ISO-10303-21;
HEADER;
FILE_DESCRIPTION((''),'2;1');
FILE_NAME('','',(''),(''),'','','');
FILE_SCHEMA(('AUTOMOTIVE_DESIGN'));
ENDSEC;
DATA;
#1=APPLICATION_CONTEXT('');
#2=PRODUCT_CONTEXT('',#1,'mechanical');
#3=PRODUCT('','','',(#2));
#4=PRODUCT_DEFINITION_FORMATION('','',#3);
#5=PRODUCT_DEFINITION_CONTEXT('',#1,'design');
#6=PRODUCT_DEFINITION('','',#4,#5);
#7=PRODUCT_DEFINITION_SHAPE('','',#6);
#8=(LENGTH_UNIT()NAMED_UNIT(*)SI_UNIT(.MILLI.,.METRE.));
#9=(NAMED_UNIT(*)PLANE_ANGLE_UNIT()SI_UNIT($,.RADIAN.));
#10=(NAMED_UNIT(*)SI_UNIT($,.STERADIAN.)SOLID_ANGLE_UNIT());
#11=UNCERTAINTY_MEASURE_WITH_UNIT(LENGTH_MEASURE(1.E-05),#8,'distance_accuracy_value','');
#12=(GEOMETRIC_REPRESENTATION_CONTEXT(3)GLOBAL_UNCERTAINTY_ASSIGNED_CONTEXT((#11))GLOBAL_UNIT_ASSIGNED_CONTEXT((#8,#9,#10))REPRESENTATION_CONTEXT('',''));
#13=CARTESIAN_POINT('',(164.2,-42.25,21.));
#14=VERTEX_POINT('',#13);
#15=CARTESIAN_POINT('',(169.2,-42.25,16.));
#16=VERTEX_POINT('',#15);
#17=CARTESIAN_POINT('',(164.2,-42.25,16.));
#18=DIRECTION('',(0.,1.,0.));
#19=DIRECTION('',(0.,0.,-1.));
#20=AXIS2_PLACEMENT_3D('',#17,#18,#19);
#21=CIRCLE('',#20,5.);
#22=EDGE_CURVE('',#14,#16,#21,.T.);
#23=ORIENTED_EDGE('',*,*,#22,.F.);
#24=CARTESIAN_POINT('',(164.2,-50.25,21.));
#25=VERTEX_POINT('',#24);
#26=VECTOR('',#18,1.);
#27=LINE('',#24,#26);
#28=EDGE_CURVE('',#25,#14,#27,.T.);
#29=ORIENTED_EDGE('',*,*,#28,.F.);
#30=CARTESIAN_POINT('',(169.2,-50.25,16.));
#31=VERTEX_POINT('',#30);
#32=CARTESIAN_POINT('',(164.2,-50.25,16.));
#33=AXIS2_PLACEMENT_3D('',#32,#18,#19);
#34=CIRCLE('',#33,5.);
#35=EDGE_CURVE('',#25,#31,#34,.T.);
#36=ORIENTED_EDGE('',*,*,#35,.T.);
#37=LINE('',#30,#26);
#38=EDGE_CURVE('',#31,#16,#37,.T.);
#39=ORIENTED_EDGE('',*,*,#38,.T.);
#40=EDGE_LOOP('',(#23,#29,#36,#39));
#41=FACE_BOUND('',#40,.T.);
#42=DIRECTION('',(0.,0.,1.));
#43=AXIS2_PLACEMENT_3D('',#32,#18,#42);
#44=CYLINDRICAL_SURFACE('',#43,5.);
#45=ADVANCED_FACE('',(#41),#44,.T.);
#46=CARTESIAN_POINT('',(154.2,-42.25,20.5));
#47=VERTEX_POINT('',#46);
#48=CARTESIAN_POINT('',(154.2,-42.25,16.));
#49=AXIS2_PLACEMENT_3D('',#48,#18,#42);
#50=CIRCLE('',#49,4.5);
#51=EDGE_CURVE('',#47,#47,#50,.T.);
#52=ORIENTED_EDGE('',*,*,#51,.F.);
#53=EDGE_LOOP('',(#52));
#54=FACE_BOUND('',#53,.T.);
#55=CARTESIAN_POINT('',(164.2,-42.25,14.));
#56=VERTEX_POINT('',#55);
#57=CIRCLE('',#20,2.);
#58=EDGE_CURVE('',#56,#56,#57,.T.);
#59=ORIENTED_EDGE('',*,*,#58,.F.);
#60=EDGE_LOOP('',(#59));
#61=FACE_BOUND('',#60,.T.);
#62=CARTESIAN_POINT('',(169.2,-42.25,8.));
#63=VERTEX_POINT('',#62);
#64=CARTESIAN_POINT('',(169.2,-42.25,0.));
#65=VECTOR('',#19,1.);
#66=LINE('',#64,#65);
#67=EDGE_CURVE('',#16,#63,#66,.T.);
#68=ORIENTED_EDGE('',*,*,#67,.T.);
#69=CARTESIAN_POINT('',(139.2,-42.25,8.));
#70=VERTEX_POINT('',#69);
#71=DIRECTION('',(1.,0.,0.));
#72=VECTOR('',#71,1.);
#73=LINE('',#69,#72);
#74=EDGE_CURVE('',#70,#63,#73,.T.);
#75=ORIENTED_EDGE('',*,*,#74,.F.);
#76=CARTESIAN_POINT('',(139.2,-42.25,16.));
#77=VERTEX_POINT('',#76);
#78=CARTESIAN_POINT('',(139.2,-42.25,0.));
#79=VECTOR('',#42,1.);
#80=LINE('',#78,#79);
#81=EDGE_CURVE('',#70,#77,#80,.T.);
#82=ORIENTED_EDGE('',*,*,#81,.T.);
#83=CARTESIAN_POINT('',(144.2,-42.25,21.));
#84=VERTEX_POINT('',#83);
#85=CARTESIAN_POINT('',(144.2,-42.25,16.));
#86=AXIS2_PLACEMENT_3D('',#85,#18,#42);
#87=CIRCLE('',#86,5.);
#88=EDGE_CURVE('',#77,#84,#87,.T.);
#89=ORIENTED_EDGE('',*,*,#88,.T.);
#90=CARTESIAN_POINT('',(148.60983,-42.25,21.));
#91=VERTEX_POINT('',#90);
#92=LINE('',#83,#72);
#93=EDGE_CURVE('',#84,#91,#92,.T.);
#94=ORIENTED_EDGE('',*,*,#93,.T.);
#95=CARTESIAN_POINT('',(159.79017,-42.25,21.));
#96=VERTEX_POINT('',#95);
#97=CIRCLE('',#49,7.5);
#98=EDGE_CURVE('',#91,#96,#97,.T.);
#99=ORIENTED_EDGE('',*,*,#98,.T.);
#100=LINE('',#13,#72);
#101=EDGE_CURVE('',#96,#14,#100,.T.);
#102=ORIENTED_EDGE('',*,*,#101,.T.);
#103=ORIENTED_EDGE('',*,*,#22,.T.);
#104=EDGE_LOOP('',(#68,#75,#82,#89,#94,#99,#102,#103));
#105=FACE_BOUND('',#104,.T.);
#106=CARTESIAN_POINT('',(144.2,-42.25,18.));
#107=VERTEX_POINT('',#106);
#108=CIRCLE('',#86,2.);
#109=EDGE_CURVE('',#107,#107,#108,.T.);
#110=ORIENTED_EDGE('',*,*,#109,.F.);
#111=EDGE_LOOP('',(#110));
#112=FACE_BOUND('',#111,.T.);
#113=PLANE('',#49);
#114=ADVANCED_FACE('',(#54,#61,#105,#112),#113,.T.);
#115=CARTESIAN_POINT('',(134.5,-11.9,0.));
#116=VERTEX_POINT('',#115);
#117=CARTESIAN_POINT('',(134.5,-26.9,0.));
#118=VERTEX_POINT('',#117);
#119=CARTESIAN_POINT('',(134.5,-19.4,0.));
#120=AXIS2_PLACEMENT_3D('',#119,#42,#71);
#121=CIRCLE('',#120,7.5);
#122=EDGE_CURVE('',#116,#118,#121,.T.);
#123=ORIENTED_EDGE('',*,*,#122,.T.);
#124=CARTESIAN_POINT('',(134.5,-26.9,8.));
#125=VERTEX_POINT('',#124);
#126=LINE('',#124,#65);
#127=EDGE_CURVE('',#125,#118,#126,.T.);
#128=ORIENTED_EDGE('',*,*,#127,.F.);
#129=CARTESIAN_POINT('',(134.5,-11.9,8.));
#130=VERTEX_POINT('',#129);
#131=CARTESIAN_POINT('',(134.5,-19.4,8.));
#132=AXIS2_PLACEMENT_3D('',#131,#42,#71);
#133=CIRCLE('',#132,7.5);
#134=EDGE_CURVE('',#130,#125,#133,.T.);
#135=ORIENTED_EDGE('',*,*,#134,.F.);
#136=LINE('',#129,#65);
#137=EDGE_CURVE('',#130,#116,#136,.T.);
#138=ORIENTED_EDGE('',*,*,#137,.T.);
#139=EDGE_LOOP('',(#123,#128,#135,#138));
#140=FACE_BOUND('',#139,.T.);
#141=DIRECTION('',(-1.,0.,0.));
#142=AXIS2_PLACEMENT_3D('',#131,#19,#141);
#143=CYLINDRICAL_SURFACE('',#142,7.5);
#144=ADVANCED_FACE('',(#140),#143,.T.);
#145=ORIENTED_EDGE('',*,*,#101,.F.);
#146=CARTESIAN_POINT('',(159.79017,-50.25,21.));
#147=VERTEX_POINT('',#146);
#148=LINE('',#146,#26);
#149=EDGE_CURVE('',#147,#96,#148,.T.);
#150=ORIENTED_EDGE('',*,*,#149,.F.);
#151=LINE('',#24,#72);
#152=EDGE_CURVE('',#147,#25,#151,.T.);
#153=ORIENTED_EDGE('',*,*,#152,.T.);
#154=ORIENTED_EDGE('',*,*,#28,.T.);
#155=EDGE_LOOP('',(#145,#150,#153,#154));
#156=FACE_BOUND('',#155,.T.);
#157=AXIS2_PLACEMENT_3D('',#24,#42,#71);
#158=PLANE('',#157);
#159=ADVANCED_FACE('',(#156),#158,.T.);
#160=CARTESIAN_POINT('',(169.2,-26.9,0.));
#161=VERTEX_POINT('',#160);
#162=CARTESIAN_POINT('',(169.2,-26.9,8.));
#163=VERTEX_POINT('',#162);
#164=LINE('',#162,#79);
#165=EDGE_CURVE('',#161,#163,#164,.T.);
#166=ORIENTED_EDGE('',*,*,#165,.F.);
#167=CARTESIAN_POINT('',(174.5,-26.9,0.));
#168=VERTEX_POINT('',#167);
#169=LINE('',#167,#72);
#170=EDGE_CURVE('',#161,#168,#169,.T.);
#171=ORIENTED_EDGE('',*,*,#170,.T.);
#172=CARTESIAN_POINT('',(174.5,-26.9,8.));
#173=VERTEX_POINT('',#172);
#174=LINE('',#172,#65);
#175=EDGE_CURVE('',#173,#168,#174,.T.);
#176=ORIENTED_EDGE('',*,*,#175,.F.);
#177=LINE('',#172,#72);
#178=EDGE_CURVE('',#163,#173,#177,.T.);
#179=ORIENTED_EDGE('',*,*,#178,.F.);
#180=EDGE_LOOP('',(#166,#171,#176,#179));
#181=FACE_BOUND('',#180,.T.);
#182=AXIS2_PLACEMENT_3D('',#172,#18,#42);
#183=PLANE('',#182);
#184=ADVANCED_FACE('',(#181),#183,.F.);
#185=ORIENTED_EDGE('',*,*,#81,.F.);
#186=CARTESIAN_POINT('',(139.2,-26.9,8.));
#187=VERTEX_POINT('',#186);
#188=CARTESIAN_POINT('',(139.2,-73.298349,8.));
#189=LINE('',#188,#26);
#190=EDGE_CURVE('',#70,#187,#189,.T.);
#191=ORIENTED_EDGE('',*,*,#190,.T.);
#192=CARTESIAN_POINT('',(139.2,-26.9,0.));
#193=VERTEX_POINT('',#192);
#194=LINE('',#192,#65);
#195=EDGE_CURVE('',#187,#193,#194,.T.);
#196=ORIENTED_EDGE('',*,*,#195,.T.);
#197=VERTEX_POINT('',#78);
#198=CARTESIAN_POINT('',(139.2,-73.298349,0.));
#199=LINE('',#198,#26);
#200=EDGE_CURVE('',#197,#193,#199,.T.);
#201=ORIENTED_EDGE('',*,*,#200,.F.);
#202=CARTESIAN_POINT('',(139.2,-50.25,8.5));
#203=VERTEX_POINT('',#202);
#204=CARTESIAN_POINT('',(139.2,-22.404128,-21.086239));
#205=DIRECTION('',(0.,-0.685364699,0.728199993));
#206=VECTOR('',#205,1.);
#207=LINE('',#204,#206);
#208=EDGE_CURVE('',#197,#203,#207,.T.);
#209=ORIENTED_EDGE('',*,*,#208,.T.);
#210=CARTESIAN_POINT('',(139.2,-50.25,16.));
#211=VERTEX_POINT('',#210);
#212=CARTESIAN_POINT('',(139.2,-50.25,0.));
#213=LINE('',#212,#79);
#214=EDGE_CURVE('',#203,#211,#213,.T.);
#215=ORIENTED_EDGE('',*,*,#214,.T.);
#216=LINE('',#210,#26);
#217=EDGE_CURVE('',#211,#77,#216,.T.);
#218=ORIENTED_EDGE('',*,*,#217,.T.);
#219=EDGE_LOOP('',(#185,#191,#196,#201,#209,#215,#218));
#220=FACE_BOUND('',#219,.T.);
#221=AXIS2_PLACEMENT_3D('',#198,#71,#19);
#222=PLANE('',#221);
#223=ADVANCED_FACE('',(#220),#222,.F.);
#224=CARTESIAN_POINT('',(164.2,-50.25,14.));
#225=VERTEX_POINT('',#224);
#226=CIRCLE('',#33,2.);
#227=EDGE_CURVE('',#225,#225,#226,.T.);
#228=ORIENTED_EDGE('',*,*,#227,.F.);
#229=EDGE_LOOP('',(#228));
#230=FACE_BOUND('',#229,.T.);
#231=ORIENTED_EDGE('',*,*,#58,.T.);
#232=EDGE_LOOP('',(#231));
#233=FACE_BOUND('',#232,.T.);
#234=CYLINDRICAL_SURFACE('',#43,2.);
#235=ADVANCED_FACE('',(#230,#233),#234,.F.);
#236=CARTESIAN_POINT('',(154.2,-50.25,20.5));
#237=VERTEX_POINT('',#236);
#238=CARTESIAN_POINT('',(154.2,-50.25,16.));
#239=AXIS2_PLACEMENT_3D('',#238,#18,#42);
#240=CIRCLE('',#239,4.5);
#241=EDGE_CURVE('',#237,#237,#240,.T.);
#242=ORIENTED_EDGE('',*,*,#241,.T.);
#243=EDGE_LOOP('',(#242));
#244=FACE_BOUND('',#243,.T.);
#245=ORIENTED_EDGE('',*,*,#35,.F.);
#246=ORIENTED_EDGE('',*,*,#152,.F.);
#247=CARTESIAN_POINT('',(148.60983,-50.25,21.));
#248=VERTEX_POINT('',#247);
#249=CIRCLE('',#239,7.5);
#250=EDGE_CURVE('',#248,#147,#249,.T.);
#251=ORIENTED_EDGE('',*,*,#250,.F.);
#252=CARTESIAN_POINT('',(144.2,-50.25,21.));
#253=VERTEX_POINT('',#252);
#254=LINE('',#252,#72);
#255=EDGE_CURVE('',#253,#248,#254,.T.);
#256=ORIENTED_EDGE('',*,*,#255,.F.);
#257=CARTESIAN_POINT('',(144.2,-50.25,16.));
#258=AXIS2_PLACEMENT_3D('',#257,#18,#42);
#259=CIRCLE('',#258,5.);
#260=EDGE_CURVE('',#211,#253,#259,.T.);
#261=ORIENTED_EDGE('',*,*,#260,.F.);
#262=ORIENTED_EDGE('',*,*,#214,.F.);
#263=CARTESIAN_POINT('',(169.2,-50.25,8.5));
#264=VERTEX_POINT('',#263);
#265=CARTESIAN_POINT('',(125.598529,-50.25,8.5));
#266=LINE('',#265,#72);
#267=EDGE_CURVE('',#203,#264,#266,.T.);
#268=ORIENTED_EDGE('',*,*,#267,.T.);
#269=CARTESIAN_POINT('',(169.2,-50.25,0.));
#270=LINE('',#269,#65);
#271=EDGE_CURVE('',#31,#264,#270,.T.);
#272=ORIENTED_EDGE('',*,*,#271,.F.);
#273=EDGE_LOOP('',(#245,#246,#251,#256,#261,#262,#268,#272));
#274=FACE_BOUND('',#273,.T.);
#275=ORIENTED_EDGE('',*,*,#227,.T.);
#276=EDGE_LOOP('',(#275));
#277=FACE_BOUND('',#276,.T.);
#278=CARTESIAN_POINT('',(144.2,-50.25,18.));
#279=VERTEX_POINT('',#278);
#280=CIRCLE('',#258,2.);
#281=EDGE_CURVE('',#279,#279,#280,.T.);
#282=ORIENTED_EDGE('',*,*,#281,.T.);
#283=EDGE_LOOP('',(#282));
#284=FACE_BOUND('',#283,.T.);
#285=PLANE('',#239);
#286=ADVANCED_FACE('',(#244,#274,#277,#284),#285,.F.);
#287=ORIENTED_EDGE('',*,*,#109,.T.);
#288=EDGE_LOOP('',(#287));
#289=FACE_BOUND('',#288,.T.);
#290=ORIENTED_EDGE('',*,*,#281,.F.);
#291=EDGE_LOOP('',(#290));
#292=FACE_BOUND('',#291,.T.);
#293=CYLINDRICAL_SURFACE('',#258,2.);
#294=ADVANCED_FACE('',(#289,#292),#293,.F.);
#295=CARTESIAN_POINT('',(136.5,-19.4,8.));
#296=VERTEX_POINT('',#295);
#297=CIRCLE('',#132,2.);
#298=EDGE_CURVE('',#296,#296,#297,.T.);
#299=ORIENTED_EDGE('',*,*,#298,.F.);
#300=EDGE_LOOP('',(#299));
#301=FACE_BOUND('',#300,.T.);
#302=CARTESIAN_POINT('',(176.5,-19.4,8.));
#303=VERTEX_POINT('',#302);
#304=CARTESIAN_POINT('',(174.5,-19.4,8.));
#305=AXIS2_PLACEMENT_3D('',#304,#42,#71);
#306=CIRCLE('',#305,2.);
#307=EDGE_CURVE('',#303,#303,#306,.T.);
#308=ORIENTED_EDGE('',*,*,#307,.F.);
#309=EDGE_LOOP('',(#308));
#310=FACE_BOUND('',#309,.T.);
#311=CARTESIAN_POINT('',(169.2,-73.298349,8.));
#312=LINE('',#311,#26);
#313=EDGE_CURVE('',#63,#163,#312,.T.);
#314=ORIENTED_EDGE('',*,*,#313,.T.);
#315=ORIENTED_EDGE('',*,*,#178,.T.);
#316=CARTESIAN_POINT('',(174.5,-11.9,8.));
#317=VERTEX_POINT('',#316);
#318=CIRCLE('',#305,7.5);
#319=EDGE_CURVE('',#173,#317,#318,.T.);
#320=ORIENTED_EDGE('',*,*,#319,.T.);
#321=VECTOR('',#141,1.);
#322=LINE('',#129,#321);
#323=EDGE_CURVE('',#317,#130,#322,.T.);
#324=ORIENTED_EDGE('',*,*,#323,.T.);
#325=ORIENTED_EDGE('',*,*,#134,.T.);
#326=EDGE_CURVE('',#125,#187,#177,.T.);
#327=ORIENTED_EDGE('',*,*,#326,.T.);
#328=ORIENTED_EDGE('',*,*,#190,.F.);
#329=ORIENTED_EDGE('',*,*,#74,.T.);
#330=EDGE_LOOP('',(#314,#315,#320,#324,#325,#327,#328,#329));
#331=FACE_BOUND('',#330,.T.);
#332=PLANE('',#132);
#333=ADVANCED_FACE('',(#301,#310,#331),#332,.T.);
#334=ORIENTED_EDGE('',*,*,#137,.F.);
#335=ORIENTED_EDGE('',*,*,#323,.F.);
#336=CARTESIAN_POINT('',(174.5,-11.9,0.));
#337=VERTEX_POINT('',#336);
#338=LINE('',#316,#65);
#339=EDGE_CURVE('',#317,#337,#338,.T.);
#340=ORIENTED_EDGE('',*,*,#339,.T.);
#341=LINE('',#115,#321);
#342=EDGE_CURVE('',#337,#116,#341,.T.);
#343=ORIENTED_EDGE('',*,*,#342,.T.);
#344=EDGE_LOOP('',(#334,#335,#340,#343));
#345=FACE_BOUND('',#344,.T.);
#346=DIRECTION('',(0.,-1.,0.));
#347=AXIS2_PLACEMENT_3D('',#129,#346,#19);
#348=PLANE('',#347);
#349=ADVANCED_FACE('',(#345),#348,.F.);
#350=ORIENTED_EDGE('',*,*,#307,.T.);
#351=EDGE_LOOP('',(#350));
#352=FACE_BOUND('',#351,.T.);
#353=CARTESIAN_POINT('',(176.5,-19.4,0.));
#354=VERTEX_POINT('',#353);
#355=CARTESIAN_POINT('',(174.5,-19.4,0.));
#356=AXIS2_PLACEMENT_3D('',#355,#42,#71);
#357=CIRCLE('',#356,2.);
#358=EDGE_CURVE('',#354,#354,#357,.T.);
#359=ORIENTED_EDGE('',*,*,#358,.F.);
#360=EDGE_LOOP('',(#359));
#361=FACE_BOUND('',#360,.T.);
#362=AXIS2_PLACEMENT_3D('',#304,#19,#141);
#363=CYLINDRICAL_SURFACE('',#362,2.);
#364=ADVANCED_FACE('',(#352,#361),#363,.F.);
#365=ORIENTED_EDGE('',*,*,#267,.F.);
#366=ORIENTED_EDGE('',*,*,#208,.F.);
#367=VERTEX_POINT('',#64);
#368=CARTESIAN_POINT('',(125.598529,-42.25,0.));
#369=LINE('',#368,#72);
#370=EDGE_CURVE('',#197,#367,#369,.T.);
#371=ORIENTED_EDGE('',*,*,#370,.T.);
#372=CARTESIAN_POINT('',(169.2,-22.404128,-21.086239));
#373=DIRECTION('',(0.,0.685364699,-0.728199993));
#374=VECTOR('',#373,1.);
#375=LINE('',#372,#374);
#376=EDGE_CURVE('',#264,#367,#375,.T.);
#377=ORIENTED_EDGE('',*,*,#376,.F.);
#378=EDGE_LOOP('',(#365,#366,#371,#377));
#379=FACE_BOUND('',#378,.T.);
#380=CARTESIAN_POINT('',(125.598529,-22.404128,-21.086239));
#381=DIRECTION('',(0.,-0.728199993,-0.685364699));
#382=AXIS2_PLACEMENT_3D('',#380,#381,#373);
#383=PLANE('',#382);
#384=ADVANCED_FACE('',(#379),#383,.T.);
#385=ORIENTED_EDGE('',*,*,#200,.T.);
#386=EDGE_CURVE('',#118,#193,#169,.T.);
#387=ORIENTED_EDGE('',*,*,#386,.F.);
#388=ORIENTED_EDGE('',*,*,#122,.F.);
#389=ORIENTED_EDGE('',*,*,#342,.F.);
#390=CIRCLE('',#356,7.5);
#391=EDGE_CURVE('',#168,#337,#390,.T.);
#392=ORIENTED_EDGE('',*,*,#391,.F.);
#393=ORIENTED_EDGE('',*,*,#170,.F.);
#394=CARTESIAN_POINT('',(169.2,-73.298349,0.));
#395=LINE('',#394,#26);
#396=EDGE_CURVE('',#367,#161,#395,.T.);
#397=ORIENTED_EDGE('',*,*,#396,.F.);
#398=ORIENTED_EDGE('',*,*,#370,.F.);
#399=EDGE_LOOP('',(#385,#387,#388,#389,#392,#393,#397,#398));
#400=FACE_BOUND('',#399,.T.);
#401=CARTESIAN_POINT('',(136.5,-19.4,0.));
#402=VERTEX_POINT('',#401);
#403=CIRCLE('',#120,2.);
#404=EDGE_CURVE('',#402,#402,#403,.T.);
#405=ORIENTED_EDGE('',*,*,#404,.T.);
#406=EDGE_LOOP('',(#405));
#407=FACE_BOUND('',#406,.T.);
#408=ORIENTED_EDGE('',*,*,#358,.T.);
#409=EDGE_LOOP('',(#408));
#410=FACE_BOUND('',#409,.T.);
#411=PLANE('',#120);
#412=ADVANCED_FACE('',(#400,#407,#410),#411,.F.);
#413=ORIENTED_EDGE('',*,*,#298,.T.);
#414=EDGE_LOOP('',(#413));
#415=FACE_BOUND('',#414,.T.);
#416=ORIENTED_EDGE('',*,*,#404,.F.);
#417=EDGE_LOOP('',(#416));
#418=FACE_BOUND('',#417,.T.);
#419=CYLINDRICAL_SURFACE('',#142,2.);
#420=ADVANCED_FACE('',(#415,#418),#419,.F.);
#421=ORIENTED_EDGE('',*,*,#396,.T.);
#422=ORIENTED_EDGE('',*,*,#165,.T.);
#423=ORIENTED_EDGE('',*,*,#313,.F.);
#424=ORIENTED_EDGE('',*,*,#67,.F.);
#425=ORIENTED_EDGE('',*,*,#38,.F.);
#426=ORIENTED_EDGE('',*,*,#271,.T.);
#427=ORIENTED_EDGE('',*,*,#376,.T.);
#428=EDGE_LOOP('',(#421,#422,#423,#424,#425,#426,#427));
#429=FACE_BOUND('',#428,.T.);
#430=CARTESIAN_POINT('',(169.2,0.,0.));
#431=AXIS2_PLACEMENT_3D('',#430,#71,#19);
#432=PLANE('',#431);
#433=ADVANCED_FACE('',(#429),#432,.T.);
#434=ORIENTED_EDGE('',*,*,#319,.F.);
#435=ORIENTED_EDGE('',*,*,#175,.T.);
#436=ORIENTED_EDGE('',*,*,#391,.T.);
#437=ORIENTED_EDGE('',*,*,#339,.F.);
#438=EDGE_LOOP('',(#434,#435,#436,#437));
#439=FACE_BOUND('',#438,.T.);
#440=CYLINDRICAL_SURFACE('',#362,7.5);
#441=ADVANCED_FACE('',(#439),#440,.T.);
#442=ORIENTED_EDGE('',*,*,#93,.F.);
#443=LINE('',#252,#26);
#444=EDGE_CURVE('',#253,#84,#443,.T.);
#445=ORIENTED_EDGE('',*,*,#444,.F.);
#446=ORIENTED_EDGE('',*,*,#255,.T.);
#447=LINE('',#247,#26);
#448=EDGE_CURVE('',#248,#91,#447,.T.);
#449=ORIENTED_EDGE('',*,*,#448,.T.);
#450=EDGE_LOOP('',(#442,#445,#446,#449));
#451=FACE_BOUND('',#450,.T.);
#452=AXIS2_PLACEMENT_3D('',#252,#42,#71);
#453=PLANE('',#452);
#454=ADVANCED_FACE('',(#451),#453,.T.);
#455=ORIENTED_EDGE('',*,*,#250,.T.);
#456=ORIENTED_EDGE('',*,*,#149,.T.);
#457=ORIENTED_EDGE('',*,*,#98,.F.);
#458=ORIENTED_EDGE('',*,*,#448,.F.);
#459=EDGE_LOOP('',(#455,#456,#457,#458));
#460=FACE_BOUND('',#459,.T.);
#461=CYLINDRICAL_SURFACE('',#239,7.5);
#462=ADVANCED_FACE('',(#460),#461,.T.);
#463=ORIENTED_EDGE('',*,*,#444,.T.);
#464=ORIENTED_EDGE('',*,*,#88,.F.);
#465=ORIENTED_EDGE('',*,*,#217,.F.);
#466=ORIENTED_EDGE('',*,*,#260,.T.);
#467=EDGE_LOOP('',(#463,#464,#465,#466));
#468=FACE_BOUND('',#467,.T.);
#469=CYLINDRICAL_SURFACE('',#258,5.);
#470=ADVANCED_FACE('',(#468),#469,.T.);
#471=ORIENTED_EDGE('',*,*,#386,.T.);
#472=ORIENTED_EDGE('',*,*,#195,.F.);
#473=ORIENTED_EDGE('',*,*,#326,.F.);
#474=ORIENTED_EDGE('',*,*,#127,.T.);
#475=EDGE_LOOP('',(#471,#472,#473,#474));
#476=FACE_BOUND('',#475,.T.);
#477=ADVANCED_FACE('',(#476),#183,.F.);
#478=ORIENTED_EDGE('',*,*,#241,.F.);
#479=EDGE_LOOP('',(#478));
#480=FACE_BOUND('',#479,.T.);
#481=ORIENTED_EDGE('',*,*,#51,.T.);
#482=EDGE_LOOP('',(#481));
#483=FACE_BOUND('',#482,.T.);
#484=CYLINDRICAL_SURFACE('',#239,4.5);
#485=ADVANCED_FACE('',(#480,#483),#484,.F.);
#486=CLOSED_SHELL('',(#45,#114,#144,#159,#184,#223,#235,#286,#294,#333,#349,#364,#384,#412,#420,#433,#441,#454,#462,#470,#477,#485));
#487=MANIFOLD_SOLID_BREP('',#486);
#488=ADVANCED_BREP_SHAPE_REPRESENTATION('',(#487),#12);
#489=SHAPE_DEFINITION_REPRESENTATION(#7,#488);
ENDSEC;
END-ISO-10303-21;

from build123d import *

# Parameters (mm, degrees)
SKETCH1_R           = 2
BOSS_EXTRUDE1_DEPTH = 8
SKETCH2_R           = 7.5
SKETCH2_R_2         = 4.5
BOSS_EXTRUDE2_DEPTH = 8
SKETCH3_R           = 2
BOSS_EXTRUDE3_DEPTH = 8
SKETCH8_W           = 30
SKETCH8_H           = 8
BOSS_EXTRUDE7_DEPTH = 15.35
BOSS_EXTRUDE8_DEPTH = 30
BOSS_EXTRUDE9_DEPTH = 8


with BuildPart() as part:
    # Sketch1 → Boss-Extrude1 (new body)
    with BuildSketch(Plane.XY):
        with BuildLine():
            Line((134.5, -11.9), (174.5, -11.9))
            ThreePointArc((174.5, -11.9), (182, -19.4), (174.5, -26.9))
            Line((174.5, -26.9), (134.5, -26.9))
            ThreePointArc((134.5, -26.9), (127, -19.4), (134.5, -11.9))
        make_face()
        with Locations((134.5, -19.4)):
            Circle(SKETCH1_R, mode=Mode.SUBTRACT)
        with Locations((174.5, -19.4)):
            Circle(SKETCH1_R, mode=Mode.SUBTRACT)
    extrude(amount=BOSS_EXTRUDE1_DEPTH)

    # Sketch8 → Boss-Extrude7 (add)
    with BuildSketch(Plane(origin=(0, -26.9, 0), x_dir=(-1, 0, 0), z_dir=(0, -1, 0))):
        with Locations((-154.2, -4)):
            Rectangle(SKETCH8_W, SKETCH8_H)
    extrude(amount=BOSS_EXTRUDE7_DEPTH)



with BuildPart() as body_2:
    # Sketch2 → Boss-Extrude2 (new body)
    with BuildSketch(Plane(origin=(0, -42.25, 0), x_dir=(1, 0, 0), z_dir=(0, 1, 0))):
        with Locations(Location((154.2, -16, 0), (0, 0, 270))):
            Circle(SKETCH2_R)
        with Locations(Location((154.2, -16, 0), (0, 0, 270))):
            Circle(SKETCH2_R_2, mode=Mode.SUBTRACT)
    extrude(amount=-BOSS_EXTRUDE2_DEPTH)

    # Sketch3 → Boss-Extrude3 (add)
    # profile 1 of 2: a face of its own
    with BuildSketch(Plane(origin=(0, -42.25, 0), x_dir=(1, 0, 0), z_dir=(0, 1, 0))):
        with BuildLine():
            Line((144.2, -11), (148.609830056, -11))
            ThreePointArc((148.609830056, -11), (146.7, -16), (148.609830056, -21))
            Line((148.609830056, -21), (144.2, -21))
            ThreePointArc((144.2, -21), (139.2, -16), (144.2, -11))
        make_face()
        with Locations(Location((144.2, -16, 0), (0, 0, 270))):
            Circle(SKETCH3_R, mode=Mode.SUBTRACT)
    # profile 2 of 2: a face of its own
    with BuildSketch(Plane(origin=(0, -42.25, 0), x_dir=(1, 0, 0), z_dir=(0, 1, 0))):
        with BuildLine():
            Line((164.2, -21), (159.790169944, -21))
            ThreePointArc((159.790169944, -21), (161.7, -16), (159.790169944, -11))
            Line((159.790169944, -11), (164.2, -11))
            ThreePointArc((164.2, -11), (169.2, -16), (164.2, -21))
        make_face()
        with Locations(Location((164.2, -16, 0), (0, 0, 90))):
            Circle(SKETCH3_R, mode=Mode.SUBTRACT)
    extrude(amount=-BOSS_EXTRUDE3_DEPTH)


with BuildPart() as part_1:
    add(part.part)

    add(body_2.part)  # Boss-Extrude8 merges body 2
    # Sketch9 → Boss-Extrude8 (add)
    with BuildSketch(Plane(origin=(169.2, 0, 0), x_dir=(0, 0, -1), z_dir=(1, 0, 0))):
        Polygon((-11, -50.25), (-8.5, -50.25), (0, -42.25), (-8, -42.25), (-11, -42.25), align=None)
    extrude(amount=-BOSS_EXTRUDE8_DEPTH)

    # Sketch10 → Boss-Extrude9 (add, through all)
    with BuildSketch(Plane(origin=(0, -42.25, 0), x_dir=(1, 0, 0), z_dir=(0, 1, 0))):
        with BuildLine():
            Line((139.2, -11), (139.2, -16))
            ThreePointArc((139.2, -16), (140.664466094, -12.464466094), (144.2, -11))
            Line((144.2, -11), (139.2, -11))
        make_face()
        with BuildLine():
            Line((169.2, -11), (164.2, -11))
            ThreePointArc((164.2, -11), (167.735533906, -12.464466094), (169.2, -16))
            Line((169.2, -16), (169.2, -11))
        make_face()
    extrude(amount=-BOSS_EXTRUDE9_DEPTH)


solid = part_1.part
